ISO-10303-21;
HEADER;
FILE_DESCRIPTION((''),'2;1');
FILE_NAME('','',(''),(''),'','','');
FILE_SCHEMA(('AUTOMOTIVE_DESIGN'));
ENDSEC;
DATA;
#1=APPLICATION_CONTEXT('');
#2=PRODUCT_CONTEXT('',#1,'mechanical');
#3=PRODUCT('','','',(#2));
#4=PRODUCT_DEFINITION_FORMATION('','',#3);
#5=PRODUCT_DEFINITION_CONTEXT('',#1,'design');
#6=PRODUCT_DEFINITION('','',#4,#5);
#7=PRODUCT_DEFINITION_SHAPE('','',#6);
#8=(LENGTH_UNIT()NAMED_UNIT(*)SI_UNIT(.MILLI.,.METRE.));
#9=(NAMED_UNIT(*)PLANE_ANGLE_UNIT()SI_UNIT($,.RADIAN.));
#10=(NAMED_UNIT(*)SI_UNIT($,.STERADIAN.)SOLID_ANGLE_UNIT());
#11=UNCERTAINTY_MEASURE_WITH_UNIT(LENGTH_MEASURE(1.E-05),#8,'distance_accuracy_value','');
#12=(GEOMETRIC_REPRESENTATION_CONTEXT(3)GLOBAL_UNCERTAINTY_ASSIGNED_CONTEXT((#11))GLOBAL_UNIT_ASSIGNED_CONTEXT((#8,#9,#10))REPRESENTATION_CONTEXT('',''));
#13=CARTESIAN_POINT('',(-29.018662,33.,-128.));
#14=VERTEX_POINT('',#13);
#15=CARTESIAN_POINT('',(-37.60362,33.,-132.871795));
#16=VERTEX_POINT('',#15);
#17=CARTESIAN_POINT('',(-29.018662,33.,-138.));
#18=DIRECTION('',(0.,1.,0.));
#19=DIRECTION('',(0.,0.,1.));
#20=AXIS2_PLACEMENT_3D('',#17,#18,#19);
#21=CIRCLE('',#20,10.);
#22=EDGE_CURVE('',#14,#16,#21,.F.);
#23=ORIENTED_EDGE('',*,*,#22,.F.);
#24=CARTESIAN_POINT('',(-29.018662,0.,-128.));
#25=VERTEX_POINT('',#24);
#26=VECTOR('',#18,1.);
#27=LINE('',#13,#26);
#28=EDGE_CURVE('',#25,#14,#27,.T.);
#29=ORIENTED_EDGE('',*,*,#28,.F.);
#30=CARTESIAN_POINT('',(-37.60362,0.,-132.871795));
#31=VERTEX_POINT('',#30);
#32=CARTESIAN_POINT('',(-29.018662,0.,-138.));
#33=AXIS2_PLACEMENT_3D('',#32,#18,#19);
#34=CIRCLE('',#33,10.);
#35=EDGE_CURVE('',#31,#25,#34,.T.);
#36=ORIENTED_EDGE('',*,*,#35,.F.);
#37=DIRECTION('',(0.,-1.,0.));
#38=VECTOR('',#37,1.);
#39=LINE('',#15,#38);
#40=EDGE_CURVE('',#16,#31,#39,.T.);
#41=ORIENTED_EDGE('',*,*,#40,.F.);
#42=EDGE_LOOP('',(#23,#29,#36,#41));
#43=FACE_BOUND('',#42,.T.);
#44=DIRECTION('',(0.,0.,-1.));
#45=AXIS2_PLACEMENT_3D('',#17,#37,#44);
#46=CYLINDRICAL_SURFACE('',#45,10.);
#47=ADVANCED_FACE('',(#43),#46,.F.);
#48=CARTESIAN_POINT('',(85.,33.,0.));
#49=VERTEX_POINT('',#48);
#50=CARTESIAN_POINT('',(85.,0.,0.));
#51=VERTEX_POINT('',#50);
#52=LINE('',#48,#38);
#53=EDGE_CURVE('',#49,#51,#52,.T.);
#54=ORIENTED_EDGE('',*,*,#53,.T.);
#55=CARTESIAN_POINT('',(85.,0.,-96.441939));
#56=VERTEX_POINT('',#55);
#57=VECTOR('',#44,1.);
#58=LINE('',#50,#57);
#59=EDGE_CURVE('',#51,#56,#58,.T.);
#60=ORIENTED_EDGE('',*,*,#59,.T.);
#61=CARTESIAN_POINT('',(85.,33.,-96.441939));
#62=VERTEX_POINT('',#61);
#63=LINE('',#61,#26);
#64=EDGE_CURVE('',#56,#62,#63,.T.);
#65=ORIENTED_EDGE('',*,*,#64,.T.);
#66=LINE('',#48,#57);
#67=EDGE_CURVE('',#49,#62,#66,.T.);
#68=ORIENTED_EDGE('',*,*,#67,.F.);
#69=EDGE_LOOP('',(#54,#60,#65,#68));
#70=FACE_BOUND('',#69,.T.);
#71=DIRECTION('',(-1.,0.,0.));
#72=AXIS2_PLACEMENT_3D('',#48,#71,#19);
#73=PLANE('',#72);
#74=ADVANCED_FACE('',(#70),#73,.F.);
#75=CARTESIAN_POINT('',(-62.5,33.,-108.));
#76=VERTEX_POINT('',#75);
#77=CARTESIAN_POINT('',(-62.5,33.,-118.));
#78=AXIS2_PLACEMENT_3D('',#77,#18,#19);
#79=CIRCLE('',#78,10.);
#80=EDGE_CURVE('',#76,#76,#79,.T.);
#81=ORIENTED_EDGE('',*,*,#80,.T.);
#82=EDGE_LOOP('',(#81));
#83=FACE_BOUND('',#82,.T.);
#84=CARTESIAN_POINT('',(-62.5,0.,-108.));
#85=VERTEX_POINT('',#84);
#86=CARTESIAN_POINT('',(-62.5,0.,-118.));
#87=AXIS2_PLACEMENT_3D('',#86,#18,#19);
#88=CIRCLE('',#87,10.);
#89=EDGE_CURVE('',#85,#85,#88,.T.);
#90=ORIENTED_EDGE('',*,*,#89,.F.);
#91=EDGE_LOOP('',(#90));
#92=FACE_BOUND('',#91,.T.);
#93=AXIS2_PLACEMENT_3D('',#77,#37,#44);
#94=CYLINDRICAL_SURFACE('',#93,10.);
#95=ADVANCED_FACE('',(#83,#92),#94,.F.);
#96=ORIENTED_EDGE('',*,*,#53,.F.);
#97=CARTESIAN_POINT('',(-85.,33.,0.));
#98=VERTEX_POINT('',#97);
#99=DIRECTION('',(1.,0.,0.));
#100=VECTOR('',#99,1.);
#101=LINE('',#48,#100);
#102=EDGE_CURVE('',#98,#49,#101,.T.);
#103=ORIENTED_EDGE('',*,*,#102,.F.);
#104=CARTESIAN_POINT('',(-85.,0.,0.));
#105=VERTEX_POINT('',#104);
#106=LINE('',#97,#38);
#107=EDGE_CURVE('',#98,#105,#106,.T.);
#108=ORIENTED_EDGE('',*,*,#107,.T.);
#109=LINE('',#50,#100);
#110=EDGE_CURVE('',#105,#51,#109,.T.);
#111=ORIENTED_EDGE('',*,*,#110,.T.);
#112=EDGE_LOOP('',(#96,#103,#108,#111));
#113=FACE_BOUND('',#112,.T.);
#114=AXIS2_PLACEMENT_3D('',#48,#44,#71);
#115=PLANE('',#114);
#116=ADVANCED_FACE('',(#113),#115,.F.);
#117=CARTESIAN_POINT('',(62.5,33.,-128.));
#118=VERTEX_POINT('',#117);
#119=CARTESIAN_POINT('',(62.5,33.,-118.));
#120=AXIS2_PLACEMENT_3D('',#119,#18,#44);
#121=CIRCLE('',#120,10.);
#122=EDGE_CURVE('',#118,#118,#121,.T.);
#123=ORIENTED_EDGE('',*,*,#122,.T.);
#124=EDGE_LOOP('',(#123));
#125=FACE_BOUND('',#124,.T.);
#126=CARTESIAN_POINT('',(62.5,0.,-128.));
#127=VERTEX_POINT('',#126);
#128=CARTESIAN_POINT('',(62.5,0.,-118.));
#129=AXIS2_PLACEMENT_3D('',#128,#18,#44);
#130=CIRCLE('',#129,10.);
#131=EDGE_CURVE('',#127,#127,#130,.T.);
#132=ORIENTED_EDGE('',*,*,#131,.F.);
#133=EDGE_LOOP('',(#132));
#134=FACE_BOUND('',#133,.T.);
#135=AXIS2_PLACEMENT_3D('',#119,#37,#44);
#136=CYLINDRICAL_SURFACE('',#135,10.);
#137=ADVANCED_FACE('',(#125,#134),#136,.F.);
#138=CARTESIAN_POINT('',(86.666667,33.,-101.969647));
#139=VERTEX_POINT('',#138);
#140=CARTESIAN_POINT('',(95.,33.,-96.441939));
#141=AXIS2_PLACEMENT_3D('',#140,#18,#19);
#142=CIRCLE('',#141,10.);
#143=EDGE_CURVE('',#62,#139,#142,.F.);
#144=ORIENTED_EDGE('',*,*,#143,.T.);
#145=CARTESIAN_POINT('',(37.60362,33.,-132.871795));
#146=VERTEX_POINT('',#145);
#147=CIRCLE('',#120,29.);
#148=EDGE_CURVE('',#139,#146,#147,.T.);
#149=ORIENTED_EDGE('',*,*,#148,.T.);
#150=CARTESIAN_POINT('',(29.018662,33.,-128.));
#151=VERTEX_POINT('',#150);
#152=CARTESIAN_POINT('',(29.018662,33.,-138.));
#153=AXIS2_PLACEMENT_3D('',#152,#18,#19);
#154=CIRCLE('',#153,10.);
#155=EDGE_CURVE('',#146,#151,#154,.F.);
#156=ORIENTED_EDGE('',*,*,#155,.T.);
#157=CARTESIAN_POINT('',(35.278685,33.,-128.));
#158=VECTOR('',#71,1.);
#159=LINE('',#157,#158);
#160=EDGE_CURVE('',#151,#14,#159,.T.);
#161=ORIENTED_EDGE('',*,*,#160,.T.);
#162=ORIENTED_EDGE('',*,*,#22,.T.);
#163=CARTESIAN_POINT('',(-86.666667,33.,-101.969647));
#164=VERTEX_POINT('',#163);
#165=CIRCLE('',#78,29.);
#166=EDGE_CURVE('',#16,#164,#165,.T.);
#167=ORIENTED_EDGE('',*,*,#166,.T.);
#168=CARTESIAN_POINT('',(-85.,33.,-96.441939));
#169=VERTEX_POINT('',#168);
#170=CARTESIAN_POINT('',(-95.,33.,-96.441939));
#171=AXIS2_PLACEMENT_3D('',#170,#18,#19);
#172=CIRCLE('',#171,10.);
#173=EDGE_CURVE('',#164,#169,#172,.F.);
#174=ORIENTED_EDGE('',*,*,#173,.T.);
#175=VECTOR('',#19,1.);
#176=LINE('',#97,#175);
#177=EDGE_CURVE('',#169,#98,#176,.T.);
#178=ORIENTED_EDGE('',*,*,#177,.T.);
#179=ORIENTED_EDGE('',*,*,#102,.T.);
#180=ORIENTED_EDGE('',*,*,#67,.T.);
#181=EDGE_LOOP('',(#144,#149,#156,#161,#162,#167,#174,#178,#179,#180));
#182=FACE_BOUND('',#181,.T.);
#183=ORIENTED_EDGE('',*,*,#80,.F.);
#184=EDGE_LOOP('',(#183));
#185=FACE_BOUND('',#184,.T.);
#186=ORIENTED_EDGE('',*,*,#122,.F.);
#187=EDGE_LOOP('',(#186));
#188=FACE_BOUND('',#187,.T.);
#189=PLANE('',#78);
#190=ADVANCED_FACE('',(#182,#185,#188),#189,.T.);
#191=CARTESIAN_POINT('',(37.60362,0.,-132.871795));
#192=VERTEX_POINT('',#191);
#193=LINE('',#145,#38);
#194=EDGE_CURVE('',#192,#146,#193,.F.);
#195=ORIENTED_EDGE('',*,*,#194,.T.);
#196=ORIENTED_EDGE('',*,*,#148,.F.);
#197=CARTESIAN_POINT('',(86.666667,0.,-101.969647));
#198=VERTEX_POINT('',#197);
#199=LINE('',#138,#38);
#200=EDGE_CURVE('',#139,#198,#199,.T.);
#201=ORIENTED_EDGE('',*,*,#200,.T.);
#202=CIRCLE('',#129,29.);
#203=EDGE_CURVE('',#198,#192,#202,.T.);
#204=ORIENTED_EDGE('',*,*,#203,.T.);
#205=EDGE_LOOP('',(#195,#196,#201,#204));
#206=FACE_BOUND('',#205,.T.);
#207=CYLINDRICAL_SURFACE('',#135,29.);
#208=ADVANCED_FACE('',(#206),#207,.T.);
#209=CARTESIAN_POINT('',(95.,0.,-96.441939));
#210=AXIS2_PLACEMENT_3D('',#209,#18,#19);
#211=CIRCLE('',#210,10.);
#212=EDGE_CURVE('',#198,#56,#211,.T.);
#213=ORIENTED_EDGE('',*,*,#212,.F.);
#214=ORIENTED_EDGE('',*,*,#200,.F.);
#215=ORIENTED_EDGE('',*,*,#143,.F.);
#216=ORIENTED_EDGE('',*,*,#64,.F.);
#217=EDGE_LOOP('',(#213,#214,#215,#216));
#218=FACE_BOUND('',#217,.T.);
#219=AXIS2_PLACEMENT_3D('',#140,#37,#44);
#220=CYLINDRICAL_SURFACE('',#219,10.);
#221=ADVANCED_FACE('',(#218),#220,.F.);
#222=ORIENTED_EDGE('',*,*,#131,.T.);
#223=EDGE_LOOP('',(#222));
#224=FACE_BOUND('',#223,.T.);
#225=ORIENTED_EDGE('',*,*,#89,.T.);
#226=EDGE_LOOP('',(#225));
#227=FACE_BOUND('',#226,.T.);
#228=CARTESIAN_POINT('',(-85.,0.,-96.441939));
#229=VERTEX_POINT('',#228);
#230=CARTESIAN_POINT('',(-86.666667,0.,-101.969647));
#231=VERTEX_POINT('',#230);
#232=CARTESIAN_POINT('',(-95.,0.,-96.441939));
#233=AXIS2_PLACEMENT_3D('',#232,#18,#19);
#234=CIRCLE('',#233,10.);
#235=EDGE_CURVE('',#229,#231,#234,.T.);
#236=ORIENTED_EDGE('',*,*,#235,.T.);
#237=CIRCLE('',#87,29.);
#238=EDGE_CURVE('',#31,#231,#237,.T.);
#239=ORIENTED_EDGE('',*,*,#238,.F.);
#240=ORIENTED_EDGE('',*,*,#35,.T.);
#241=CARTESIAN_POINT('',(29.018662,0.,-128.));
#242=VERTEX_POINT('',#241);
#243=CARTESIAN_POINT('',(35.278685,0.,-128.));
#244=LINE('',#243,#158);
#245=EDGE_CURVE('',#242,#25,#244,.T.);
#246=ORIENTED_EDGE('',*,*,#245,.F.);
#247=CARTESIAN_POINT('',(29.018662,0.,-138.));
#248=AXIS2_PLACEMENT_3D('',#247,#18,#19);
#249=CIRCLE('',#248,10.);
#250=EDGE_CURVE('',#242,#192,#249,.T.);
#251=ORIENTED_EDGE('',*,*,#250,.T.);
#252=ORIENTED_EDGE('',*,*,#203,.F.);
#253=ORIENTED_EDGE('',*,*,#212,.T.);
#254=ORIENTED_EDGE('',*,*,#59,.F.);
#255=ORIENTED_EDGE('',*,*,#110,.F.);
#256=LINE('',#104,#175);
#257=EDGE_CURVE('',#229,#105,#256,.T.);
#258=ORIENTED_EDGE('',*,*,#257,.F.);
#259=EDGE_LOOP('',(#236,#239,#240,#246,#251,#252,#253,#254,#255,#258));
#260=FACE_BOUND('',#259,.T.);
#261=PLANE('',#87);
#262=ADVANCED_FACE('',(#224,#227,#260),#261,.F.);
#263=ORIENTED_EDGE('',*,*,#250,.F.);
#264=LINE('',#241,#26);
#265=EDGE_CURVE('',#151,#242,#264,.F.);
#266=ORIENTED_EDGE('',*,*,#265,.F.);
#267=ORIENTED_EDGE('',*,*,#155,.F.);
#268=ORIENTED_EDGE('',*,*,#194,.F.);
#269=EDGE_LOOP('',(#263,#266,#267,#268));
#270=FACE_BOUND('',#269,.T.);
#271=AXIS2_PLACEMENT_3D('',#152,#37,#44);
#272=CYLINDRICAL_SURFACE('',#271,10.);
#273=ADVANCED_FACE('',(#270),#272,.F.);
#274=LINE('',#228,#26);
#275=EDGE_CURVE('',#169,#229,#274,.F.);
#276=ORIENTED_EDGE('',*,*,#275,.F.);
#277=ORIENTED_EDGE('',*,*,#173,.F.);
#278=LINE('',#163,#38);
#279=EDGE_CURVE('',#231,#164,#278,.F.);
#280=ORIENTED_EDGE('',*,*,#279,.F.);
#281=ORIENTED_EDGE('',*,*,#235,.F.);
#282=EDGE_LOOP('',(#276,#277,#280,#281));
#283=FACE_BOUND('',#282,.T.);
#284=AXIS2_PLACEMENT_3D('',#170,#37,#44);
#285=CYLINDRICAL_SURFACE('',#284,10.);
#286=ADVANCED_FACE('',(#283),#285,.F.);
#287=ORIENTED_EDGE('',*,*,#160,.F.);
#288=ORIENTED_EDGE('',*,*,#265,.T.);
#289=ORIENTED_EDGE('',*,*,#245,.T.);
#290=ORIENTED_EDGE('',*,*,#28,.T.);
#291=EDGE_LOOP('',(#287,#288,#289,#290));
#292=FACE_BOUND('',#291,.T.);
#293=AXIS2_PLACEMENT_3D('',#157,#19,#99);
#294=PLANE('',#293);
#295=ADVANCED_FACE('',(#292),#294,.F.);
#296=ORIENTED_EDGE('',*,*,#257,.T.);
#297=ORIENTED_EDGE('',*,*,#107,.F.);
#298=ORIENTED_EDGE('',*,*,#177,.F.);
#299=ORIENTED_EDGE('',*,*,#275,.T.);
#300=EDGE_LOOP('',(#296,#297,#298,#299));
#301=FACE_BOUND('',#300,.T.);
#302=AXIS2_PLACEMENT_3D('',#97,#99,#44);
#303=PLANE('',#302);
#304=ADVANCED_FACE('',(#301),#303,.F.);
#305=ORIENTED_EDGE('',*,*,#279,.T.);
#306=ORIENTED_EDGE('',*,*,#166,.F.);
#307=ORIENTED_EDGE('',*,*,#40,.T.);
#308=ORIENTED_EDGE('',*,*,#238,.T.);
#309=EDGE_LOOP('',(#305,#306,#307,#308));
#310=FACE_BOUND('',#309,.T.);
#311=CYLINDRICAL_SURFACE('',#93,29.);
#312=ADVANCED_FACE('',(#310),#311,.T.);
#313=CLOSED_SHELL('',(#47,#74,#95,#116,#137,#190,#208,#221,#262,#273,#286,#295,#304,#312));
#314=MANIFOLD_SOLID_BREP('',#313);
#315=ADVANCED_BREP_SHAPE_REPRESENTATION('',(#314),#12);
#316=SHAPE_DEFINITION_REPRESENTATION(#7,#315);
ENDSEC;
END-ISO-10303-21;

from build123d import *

# Parameters (mm, degrees)
SKETCH1_R           = 10
BOSS_EXTRUDE1_DEPTH = 33
FILLET1_R           = 10


with BuildPart() as part:
    # Sketch1 → Boss-Extrude1 (new body)
    with BuildSketch(Plane(origin=(0, 0, 0), x_dir=(1, 0, 0), z_dir=(0, 1, 0))):
        with BuildLine():
            Line((85, 0), (-85, 0))
            Line((-85, 0), (-85, 99.703825536))
            ThreePointArc((-85, 99.703825536), (-76.843677233, 143.204343345), (-35.278684822, 128))
            Line((-35.278684822, 128), (35.278684822, 128))
            ThreePointArc((35.278684822, 128), (76.843677233, 143.204343345), (85, 99.703825536))
            Line((85, 99.703825536), (85, 0))
        make_face()
        with Locations((-62.5, 118)):
            Circle(SKETCH1_R, mode=Mode.SUBTRACT)
        with Locations((62.5, 118)):
            Circle(SKETCH1_R, mode=Mode.SUBTRACT)
    extrude(amount=BOSS_EXTRUDE1_DEPTH)

    # Fillet1
    fillet1_edges = [part.edges().sort_by_distance(p)[0] for p in [
        (-85, 16.5, -99.703825536),
        (-35.278684822, 16.5, -128),
        (35.278684822, 16.5, -128),
        (85, 16.5, -99.703825536),
    ]]
    fillet(fillet1_edges, radius=FILLET1_R)


solid = part.part
